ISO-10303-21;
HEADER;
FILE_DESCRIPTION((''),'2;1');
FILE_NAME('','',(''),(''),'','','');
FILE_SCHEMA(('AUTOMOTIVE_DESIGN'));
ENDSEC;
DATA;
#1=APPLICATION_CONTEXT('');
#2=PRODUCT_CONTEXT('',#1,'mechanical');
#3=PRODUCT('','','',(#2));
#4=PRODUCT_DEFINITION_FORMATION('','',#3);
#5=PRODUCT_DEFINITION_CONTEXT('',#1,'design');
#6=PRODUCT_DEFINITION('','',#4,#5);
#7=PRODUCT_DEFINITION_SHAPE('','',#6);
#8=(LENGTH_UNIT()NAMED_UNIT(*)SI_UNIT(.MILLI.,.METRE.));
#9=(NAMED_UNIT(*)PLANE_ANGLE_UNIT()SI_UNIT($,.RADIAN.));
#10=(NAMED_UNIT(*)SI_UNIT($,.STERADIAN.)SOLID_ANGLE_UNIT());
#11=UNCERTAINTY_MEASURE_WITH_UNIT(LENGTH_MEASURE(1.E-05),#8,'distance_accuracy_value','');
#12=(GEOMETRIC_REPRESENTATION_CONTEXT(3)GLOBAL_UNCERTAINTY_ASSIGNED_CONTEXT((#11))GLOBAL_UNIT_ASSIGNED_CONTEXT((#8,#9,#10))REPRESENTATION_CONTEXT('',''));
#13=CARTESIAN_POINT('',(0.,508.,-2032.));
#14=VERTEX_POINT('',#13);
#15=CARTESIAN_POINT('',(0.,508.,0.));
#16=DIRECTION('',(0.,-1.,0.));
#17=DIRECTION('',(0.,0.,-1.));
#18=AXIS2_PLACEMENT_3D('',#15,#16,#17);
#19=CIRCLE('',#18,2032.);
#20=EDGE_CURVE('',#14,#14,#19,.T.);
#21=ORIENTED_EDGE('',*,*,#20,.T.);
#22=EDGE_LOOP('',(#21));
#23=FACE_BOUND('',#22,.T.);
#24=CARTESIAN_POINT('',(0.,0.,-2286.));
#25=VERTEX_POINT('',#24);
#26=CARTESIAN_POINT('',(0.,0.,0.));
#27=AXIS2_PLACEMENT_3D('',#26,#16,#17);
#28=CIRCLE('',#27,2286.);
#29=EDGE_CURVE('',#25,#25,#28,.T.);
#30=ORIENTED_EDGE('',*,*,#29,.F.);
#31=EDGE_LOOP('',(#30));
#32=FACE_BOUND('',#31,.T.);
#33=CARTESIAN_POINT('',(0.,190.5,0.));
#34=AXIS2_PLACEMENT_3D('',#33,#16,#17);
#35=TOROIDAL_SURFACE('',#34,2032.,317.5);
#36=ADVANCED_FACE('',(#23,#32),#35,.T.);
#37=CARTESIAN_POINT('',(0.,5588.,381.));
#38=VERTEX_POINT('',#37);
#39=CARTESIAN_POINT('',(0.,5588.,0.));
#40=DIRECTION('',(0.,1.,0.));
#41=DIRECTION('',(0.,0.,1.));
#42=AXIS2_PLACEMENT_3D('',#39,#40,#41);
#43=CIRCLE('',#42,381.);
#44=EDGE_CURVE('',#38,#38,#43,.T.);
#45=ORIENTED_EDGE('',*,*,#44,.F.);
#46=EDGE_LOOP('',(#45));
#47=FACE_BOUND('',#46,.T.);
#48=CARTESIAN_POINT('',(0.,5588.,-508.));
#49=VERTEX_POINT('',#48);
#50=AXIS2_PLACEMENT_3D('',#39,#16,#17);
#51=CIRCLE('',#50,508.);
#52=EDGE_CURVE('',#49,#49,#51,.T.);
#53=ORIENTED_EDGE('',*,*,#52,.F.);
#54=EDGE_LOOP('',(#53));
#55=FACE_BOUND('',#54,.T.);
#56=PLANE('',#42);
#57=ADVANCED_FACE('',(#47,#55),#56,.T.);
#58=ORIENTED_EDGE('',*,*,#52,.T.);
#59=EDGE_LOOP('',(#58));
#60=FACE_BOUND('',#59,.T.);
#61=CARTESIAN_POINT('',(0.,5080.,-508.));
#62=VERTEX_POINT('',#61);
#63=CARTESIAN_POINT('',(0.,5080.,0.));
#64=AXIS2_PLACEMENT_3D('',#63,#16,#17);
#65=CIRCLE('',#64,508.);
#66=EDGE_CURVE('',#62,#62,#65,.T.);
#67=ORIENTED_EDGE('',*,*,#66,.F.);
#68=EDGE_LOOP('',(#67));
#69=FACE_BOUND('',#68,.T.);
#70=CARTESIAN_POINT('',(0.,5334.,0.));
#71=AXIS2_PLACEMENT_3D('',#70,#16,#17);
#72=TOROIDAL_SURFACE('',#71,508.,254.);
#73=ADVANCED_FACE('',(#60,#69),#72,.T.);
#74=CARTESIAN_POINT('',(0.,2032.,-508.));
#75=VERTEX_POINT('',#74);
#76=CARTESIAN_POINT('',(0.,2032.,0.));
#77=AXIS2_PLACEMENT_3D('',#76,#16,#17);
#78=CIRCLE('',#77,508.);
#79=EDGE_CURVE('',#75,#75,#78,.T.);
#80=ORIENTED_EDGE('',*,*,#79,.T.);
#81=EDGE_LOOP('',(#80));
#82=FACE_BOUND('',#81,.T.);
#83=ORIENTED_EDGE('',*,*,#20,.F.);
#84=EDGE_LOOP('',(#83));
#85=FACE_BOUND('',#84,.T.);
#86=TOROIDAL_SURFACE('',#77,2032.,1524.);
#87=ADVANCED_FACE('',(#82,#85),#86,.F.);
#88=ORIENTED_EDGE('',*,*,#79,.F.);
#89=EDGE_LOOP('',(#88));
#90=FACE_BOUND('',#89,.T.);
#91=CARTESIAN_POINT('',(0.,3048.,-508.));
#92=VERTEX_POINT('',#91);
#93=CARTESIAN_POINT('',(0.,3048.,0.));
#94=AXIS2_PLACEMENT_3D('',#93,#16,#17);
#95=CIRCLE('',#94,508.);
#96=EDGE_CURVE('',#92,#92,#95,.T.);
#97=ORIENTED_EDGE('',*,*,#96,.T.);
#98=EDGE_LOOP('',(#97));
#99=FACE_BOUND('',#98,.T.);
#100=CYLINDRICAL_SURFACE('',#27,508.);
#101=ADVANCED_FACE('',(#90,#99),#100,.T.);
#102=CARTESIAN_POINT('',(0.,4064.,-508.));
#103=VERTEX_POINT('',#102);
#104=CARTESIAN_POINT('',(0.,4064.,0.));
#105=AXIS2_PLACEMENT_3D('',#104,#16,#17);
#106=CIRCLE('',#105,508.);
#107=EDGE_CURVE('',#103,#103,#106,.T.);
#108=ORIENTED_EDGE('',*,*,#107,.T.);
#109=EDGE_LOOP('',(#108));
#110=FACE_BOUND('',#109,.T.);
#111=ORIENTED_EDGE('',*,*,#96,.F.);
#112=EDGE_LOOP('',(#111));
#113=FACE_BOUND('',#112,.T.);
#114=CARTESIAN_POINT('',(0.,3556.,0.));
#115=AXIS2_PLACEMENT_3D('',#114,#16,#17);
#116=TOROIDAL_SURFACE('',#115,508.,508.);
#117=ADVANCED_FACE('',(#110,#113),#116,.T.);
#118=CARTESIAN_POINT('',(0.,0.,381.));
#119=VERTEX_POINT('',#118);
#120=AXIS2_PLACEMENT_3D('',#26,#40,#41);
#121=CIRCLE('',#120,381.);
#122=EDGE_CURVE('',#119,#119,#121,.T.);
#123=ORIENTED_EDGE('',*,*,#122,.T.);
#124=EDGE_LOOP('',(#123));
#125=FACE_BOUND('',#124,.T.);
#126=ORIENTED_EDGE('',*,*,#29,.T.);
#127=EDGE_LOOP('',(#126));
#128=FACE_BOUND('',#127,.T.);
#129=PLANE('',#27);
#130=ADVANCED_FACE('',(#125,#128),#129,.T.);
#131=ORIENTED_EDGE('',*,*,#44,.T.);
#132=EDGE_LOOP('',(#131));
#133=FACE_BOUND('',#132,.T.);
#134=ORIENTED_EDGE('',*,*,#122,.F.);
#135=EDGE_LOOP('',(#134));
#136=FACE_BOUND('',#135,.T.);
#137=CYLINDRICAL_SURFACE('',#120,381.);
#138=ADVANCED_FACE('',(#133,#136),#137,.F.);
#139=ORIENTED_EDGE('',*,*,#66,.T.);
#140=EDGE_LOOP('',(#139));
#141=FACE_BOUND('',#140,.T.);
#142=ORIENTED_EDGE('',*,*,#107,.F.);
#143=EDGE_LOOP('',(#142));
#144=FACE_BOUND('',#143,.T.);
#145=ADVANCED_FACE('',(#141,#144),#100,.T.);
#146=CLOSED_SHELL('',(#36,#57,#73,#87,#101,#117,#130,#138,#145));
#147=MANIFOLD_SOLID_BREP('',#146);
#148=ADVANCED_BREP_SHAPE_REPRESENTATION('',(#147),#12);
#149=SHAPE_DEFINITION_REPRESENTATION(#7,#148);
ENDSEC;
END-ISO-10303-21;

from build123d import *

# Parameters (mm, degrees)
SKETCH2_R          = 381
CUT_EXTRUDE1_DEPTH = 5589.000000354


with BuildPart() as part:
    # Sketch1 → Revolve1 (revolve)
    with BuildSketch(Plane.XY):
        with BuildLine():
            Line((0, 0), (2286, 0))
            ThreePointArc((2286, 0), (2315.980633142, 332.490316571), (2032, 508))
            ThreePointArc((2032, 508), (954.369265472, 954.369265472), (508, 2032))
            Line((508, 2032), (508, 3048))
            ThreePointArc((508, 3048), (1016, 3556), (508, 4064))
            Line((508, 4064), (508, 5080))
            ThreePointArc((508, 5080), (762, 5334), (508, 5588))
            Line((508, 5588), (0, 5588))
            Line((0, 5588), (0, 0))
        make_face()
    revolve(axis=Axis((0, 0, 0), (0, 1, 0)))

    # Sketch2 → Cut-Extrude1 (cut, through all)
    with BuildSketch(Plane(origin=(0, 5588, 0), x_dir=(1, 0, 0), z_dir=(0, 1, 0))):
        Circle(SKETCH2_R)
    extrude(amount=-CUT_EXTRUDE1_DEPTH, mode=Mode.SUBTRACT)


solid = part.part
